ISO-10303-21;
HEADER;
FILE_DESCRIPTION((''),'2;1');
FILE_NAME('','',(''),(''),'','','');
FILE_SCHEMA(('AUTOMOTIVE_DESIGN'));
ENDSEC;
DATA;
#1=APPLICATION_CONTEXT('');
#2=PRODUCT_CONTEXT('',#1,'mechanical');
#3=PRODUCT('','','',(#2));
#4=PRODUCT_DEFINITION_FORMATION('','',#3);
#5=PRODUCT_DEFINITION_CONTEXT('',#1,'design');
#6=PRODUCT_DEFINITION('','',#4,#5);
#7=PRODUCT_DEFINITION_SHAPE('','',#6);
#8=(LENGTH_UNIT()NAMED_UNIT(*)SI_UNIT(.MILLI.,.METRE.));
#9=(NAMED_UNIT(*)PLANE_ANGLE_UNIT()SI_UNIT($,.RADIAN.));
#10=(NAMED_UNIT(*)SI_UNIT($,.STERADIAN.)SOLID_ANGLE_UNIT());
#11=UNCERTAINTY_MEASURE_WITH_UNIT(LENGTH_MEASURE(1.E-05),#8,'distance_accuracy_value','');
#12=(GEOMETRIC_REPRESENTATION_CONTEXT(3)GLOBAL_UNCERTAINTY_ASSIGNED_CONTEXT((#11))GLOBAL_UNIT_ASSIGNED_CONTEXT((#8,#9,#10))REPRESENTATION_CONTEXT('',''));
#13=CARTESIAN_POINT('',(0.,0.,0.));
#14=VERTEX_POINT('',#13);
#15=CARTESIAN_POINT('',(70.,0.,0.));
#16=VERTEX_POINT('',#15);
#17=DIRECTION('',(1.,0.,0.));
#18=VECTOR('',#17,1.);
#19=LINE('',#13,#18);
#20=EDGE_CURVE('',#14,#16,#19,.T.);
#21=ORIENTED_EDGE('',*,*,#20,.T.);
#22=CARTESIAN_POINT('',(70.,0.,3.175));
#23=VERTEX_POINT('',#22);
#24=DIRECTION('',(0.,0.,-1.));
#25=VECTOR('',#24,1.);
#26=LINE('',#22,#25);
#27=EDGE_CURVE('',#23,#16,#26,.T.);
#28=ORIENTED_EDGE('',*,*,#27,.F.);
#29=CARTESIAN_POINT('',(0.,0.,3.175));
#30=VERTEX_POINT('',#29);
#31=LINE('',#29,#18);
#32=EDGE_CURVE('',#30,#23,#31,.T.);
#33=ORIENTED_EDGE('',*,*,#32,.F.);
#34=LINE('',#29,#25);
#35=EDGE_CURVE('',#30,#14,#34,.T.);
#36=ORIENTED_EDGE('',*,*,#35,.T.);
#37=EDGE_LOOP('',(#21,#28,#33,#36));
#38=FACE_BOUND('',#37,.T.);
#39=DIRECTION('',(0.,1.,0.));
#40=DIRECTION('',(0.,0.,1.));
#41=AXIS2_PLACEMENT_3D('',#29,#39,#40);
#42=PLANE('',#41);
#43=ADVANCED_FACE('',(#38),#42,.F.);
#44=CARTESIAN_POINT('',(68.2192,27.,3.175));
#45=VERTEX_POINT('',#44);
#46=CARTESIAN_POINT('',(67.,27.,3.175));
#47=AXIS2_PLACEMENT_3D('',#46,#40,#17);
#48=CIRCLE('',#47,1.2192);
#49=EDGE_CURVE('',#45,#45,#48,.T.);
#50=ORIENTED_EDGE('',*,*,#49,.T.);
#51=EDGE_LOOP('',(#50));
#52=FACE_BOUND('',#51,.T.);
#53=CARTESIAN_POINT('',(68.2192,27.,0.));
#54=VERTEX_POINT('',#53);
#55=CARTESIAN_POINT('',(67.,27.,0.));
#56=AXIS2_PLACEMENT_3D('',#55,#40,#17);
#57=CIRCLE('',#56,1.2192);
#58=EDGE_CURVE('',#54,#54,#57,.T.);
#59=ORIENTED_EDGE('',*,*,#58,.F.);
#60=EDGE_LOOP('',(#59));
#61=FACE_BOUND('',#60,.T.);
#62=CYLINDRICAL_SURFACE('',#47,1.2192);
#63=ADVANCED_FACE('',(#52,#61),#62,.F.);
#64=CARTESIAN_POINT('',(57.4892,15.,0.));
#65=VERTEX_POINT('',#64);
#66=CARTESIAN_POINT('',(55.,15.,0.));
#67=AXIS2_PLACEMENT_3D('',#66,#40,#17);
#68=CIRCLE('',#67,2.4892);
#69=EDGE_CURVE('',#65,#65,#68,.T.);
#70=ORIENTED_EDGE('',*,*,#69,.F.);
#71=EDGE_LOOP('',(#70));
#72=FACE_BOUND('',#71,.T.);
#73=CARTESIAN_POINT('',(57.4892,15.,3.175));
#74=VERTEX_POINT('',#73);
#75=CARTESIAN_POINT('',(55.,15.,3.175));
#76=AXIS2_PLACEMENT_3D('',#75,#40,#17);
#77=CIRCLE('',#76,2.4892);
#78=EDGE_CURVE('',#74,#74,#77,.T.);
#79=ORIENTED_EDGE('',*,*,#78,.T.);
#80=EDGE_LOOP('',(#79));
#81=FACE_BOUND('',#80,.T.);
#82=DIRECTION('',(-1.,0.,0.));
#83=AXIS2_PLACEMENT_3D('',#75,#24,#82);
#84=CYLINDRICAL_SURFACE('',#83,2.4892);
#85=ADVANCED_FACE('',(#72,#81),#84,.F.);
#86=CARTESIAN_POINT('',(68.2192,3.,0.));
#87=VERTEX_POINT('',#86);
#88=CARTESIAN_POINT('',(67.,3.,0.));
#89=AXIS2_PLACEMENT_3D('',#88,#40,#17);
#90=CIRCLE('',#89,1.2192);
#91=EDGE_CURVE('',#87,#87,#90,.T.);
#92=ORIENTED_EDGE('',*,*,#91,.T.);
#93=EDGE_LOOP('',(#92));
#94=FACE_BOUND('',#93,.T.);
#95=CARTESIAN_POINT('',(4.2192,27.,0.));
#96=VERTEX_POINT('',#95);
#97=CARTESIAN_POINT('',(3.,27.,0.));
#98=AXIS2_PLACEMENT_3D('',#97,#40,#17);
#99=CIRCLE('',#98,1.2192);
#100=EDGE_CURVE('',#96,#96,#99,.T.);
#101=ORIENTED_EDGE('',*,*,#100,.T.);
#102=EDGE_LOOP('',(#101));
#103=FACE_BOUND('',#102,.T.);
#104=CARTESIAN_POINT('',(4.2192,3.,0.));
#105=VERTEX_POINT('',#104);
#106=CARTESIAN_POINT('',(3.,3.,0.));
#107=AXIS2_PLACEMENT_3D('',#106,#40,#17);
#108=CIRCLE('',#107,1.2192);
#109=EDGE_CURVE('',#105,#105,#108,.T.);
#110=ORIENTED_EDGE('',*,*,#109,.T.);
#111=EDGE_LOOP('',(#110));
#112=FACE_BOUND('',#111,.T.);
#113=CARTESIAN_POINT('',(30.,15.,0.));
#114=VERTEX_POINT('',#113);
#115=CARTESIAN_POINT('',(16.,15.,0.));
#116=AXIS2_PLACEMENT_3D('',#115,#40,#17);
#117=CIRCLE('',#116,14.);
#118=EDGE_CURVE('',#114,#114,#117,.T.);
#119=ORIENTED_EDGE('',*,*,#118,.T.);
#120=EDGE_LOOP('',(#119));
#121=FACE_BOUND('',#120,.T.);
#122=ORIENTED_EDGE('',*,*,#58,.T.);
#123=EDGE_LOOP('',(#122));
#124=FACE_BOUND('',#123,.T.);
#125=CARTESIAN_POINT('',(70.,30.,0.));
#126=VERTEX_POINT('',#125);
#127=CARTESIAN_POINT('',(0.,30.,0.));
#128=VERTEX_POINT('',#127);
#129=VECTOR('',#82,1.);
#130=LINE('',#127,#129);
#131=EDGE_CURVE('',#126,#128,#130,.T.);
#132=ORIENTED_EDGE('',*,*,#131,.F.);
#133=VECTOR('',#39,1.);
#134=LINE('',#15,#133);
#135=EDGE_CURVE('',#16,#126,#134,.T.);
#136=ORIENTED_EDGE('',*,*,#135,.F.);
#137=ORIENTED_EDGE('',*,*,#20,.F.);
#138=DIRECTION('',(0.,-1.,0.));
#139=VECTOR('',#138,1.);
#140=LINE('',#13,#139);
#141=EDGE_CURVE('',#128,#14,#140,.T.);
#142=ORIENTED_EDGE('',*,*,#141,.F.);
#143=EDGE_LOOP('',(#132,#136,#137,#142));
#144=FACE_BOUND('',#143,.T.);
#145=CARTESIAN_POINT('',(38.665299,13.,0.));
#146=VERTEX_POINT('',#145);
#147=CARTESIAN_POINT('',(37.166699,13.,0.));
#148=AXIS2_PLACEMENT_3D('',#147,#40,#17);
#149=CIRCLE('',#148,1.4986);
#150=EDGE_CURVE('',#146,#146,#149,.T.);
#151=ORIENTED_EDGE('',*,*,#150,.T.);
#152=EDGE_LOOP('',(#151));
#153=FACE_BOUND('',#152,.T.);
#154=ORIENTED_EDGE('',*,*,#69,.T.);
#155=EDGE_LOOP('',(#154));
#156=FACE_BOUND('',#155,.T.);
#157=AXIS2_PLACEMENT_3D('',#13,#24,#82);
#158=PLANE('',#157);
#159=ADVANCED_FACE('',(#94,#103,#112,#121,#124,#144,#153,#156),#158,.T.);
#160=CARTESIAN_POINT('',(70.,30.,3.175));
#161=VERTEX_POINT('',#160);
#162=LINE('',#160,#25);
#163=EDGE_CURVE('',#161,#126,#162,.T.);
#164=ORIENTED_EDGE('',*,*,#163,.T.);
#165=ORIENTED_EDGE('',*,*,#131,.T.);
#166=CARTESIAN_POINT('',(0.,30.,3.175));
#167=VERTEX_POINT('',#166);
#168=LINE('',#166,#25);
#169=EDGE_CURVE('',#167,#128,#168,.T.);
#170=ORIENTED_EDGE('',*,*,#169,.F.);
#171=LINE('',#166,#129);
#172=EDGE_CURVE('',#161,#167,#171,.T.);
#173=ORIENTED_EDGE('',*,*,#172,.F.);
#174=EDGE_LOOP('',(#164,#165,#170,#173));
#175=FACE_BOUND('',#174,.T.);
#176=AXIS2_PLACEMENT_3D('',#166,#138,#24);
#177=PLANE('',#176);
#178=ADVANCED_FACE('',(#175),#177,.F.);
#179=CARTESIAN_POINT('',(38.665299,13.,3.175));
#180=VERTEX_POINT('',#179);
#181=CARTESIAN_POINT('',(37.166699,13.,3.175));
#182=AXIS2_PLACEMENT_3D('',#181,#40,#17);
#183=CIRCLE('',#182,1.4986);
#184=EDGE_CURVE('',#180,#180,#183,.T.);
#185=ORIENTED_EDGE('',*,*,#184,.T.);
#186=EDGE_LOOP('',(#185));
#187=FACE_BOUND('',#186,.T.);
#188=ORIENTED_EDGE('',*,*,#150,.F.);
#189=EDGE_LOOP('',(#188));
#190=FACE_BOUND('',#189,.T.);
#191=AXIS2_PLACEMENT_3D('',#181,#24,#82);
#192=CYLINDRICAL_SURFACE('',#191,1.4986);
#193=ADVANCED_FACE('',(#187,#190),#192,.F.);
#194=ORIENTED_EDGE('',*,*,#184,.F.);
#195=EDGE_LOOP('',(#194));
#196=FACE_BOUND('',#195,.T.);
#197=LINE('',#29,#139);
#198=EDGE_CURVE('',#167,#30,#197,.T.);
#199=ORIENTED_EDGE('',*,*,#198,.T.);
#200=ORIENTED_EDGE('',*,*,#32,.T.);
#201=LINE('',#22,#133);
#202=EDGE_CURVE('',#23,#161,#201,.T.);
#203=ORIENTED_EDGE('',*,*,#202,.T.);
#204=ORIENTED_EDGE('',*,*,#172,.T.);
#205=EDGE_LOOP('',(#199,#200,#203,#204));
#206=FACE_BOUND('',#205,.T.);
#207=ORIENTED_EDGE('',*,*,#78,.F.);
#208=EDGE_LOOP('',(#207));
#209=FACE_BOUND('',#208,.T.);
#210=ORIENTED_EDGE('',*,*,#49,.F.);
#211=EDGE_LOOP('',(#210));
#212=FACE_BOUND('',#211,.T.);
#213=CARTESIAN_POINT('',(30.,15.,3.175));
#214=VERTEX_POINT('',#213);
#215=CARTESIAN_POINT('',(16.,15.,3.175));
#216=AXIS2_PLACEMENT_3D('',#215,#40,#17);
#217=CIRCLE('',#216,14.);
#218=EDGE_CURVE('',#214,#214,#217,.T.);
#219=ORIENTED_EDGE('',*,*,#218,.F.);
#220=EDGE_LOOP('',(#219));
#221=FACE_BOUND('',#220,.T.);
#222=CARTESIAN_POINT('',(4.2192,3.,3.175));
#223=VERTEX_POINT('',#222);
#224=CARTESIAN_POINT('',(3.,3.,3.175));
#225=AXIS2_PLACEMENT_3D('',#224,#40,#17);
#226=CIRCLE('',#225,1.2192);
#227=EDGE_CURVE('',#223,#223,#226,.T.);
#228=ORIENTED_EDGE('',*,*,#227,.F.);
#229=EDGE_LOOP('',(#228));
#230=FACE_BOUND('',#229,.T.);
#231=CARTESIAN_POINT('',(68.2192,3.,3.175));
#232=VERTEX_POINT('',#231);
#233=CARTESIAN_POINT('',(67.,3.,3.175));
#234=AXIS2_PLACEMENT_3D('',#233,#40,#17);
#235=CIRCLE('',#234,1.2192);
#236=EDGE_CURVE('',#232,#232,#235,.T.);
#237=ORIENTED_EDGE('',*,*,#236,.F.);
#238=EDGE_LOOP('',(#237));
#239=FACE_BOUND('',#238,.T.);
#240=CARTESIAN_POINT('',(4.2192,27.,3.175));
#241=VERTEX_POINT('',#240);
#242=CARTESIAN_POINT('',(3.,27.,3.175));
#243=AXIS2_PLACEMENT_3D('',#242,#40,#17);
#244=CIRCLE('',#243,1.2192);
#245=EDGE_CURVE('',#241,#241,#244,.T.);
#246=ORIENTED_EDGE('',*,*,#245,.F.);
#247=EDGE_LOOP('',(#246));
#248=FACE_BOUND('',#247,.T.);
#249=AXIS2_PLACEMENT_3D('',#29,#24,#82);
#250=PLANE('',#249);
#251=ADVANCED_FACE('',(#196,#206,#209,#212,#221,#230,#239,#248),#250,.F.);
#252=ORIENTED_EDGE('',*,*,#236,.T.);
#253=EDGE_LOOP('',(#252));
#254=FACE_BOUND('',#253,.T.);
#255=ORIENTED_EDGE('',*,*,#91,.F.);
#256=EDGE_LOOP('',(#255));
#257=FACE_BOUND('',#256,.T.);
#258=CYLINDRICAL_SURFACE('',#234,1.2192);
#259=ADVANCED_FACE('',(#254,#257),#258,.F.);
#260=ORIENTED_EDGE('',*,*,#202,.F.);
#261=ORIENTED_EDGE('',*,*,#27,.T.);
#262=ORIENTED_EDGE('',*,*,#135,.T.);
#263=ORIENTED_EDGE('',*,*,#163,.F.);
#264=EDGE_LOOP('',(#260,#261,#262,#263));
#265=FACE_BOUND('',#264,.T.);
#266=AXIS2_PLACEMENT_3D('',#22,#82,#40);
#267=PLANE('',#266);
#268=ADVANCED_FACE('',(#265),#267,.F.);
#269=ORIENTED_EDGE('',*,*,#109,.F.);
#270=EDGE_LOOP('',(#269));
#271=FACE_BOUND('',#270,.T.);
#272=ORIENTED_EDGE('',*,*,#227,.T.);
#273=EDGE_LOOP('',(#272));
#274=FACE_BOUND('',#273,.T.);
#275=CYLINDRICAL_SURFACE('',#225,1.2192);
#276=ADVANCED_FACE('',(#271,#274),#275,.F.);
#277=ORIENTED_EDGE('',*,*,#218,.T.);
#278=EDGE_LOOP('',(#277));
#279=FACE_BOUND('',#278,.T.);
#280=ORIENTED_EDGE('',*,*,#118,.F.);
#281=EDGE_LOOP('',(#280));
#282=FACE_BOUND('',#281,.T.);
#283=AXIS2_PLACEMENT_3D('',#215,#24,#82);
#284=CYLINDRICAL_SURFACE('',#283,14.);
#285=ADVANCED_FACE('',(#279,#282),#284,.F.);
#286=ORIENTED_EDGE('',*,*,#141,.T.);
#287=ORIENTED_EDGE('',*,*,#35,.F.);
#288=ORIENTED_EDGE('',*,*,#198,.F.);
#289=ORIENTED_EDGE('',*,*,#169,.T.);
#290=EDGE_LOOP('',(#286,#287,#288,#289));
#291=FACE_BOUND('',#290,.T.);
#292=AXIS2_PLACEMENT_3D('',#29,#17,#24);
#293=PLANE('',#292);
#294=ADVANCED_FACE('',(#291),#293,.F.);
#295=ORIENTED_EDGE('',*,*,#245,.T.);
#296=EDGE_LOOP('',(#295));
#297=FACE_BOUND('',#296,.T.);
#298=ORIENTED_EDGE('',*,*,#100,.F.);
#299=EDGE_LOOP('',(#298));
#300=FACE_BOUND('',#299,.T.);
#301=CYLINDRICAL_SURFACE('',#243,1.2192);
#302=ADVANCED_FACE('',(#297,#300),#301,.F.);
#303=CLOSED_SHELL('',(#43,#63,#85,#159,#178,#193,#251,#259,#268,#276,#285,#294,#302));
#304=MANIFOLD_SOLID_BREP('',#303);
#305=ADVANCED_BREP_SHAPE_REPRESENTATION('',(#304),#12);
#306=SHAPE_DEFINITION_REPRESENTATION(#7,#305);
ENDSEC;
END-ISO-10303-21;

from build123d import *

# Parameters (mm, degrees)
SKETCH1_W             = 70
SKETCH1_H             = 30
SKETCH1_R             = 2.4892
SKETCH1_R_2           = 1.4986
SKETCH1_R_3           = 14
BOSS_EXTRUDE2_DEPTH   = 3.175
F_2_CLEARANCE_HOLE1_D = 2.4384


with BuildPart() as part:
    # Sketch1 → Boss-Extrude2 (new body)
    with BuildSketch(Plane.XY):
        with Locations((35, 15)):
            Rectangle(SKETCH1_W, SKETCH1_H)
        with Locations((55, 15)):
            Circle(SKETCH1_R, mode=Mode.SUBTRACT)
        with Locations((37.166699296, 13)):
            Circle(SKETCH1_R_2, mode=Mode.SUBTRACT)
        with Locations((16, 15)):
            Circle(SKETCH1_R_3, mode=Mode.SUBTRACT)
    extrude(amount=BOSS_EXTRUDE2_DEPTH)

    # #2 Clearance Hole1 (through all)
    with Locations(Plane.XY.offset(3.175)):
        with Locations((67, 3), (67, 27), (3, 27), (3, 3)):
            Hole(F_2_CLEARANCE_HOLE1_D / 2)


solid = part.part
